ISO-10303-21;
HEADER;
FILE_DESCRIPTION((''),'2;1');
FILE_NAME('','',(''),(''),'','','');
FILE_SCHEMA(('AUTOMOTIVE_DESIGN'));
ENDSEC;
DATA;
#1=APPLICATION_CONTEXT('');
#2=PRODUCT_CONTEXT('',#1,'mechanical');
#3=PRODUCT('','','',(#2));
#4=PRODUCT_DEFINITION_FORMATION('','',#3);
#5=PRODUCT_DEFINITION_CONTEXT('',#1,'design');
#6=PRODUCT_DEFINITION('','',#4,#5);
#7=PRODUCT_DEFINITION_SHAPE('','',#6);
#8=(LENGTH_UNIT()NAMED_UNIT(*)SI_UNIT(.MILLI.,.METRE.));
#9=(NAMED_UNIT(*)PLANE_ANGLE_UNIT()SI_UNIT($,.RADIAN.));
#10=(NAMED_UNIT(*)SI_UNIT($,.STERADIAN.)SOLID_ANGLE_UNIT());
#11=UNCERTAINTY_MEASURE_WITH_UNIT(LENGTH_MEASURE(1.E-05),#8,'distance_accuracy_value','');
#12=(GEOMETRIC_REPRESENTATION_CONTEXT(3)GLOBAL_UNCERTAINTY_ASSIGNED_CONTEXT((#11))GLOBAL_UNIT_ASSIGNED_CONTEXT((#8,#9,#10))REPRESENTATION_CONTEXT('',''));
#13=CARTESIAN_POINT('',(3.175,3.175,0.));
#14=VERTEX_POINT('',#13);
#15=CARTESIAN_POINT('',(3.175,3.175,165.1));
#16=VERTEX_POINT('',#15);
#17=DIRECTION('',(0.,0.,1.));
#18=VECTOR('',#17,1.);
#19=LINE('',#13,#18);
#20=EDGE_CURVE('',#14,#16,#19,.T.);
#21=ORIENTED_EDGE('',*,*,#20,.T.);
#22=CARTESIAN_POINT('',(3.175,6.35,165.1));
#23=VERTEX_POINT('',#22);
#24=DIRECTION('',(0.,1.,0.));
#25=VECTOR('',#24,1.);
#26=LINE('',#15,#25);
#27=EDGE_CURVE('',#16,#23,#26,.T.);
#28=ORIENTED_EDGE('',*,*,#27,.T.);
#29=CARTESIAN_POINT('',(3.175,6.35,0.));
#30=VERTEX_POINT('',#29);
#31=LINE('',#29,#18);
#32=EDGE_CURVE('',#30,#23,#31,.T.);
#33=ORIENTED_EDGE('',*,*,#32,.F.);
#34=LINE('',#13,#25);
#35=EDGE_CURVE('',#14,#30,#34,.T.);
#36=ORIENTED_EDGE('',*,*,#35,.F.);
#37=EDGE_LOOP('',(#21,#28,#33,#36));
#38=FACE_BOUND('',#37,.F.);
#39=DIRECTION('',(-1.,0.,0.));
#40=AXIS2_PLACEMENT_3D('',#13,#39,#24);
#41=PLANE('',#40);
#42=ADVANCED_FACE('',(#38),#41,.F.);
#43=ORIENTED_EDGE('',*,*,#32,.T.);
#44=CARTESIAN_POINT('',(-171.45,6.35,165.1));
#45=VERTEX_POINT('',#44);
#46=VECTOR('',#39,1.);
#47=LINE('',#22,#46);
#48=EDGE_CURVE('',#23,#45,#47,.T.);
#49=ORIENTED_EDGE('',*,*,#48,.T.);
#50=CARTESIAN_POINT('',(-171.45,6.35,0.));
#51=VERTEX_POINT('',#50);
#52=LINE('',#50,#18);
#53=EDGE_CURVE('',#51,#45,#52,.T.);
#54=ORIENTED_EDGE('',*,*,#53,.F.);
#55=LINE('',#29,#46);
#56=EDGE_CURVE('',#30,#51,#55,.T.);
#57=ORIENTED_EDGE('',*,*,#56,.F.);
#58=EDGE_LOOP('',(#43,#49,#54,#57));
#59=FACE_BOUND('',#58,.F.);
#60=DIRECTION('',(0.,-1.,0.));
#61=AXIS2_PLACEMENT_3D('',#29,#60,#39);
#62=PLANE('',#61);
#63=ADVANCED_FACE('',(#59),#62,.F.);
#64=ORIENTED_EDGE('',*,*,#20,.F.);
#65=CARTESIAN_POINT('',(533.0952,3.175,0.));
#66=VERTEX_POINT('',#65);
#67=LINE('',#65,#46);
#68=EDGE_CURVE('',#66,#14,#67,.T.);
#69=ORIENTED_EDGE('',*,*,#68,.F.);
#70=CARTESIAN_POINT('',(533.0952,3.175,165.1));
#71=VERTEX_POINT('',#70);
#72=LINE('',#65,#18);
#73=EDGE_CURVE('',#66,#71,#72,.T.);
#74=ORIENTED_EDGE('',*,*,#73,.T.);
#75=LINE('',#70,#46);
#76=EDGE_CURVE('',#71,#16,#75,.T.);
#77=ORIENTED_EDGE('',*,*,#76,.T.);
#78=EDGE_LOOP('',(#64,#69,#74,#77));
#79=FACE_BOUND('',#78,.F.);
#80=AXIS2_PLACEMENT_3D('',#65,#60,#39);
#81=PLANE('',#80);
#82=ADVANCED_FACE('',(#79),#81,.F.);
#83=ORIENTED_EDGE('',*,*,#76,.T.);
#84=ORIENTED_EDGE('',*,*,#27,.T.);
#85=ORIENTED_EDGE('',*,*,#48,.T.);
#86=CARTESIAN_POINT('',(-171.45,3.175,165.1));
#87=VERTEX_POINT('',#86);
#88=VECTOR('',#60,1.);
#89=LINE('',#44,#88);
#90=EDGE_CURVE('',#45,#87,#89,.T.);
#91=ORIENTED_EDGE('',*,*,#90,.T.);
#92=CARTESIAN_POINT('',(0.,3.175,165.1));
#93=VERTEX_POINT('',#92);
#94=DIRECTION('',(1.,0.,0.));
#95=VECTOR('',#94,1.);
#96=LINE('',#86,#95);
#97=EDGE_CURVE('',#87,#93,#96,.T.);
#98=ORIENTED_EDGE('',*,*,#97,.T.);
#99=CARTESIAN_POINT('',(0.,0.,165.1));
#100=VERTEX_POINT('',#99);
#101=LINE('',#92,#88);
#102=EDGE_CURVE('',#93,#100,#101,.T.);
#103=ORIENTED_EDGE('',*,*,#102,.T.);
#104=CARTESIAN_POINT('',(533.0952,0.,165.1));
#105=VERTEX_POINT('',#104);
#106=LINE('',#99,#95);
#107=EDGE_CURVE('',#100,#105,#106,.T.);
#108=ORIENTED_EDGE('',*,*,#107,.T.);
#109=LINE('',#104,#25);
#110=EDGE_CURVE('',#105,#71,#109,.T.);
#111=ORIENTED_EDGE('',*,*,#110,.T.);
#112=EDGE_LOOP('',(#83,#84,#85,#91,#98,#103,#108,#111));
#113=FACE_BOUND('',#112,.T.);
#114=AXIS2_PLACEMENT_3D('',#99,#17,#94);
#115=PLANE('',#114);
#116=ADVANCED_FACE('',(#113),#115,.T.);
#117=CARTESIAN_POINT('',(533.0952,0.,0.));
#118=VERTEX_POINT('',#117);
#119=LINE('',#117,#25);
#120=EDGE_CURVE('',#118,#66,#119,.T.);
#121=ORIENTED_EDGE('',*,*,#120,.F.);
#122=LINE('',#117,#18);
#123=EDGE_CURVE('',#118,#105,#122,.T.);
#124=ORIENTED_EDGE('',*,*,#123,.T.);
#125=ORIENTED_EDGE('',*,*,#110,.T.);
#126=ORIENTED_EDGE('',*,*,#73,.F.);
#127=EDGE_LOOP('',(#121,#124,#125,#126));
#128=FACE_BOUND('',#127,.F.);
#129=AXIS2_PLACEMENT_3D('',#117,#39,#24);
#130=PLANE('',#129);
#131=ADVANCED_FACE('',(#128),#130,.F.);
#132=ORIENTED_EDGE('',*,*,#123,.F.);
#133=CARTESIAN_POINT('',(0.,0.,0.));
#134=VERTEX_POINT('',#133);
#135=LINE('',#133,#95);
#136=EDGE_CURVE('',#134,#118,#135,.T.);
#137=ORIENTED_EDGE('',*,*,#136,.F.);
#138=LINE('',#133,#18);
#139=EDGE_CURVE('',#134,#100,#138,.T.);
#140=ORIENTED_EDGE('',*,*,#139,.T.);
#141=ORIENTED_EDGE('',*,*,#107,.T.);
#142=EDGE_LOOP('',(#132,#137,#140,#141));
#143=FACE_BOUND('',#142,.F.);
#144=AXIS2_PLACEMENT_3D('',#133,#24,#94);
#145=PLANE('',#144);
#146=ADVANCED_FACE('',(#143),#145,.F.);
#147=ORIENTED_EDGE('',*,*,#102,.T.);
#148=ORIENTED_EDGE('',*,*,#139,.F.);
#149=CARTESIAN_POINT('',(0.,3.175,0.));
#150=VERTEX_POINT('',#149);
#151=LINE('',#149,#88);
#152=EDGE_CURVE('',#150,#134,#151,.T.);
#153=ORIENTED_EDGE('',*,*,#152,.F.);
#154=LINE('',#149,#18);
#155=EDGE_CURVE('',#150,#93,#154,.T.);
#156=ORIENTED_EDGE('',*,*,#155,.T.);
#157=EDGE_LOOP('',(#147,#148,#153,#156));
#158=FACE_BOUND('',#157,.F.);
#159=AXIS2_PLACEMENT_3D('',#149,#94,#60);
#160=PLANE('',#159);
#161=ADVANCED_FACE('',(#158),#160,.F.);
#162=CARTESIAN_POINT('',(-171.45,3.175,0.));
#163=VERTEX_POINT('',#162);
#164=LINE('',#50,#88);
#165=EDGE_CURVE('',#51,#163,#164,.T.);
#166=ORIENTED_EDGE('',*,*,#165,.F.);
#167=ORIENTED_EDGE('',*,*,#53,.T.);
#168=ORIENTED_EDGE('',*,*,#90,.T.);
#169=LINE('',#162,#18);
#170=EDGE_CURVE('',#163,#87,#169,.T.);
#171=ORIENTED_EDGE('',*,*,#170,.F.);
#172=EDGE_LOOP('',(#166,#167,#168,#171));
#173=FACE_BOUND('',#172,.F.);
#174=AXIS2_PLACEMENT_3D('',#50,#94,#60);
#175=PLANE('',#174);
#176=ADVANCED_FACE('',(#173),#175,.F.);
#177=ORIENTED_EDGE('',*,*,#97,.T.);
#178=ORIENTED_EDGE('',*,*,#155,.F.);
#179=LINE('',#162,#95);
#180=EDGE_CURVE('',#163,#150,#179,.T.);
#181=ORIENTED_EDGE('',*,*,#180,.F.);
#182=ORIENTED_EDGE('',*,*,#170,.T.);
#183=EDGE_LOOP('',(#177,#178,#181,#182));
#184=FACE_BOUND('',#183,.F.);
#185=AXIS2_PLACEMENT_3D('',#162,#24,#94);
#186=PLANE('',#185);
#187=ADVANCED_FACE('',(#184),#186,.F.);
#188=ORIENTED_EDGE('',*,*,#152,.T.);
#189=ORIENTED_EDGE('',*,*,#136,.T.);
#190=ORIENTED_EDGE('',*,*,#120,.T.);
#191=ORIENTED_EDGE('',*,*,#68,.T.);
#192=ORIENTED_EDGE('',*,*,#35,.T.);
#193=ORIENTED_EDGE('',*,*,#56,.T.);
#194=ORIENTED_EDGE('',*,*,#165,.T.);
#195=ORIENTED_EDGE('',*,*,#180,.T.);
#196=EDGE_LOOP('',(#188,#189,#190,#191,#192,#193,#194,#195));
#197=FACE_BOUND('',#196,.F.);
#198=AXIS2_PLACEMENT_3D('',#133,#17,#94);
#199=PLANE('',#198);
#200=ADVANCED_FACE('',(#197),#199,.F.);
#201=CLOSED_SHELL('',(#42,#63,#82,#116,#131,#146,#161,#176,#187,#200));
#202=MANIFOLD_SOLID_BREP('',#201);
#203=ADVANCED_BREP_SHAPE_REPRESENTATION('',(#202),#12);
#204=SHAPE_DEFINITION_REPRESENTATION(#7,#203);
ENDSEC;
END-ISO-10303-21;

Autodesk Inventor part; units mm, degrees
ref_plane "YZ Plane" through (0, 0, 0) normal (1, 0, 0) x (0, 1, 0)
ref_plane "XZ Plane" through (0, 0, 0) normal (0, 1, 0) x (-1, 0, 0)
ref_plane "XY Plane" through (0, 0, 0) normal (0, 0, 1) x (1, 0, 0)
sketch "Sketch1" plane through (0, 0, 0) normal (0, 0, 1) x (1, 0, 0)
  line L0 (0, 0) -> (533.0952, 0)
  line L1 (533.0952, 0) -> (533.0952, 3.175)
  line L2 (533.0952, 3.175) -> (3.175, 3.175)
  line L3 (3.175, 3.175) -> (3.175, 6.35)
  line L4 (3.175, 6.35) -> (-171.45, 6.35)
  line L5 (-171.45, 6.35) -> (-171.45, 3.175)
  line L6 (-171.45, 3.175) -> (0, 3.175)
  line L7 (0, 3.175) -> (0, 0)
  dimension "d0" = 171.45
  dimension "d1" = 3.175
  dimension "d2" = 3.175
  dimension "d3" = 3.175
  dimension "d4" = 3.175
  dimension "d10" = 533.0952
extrude "Extrusion2" add sketch "Sketch1" along normal blind 165.1
properties part number "Starter_Shingle_With_Dimensions_6.5_x_27.863_Inches"
